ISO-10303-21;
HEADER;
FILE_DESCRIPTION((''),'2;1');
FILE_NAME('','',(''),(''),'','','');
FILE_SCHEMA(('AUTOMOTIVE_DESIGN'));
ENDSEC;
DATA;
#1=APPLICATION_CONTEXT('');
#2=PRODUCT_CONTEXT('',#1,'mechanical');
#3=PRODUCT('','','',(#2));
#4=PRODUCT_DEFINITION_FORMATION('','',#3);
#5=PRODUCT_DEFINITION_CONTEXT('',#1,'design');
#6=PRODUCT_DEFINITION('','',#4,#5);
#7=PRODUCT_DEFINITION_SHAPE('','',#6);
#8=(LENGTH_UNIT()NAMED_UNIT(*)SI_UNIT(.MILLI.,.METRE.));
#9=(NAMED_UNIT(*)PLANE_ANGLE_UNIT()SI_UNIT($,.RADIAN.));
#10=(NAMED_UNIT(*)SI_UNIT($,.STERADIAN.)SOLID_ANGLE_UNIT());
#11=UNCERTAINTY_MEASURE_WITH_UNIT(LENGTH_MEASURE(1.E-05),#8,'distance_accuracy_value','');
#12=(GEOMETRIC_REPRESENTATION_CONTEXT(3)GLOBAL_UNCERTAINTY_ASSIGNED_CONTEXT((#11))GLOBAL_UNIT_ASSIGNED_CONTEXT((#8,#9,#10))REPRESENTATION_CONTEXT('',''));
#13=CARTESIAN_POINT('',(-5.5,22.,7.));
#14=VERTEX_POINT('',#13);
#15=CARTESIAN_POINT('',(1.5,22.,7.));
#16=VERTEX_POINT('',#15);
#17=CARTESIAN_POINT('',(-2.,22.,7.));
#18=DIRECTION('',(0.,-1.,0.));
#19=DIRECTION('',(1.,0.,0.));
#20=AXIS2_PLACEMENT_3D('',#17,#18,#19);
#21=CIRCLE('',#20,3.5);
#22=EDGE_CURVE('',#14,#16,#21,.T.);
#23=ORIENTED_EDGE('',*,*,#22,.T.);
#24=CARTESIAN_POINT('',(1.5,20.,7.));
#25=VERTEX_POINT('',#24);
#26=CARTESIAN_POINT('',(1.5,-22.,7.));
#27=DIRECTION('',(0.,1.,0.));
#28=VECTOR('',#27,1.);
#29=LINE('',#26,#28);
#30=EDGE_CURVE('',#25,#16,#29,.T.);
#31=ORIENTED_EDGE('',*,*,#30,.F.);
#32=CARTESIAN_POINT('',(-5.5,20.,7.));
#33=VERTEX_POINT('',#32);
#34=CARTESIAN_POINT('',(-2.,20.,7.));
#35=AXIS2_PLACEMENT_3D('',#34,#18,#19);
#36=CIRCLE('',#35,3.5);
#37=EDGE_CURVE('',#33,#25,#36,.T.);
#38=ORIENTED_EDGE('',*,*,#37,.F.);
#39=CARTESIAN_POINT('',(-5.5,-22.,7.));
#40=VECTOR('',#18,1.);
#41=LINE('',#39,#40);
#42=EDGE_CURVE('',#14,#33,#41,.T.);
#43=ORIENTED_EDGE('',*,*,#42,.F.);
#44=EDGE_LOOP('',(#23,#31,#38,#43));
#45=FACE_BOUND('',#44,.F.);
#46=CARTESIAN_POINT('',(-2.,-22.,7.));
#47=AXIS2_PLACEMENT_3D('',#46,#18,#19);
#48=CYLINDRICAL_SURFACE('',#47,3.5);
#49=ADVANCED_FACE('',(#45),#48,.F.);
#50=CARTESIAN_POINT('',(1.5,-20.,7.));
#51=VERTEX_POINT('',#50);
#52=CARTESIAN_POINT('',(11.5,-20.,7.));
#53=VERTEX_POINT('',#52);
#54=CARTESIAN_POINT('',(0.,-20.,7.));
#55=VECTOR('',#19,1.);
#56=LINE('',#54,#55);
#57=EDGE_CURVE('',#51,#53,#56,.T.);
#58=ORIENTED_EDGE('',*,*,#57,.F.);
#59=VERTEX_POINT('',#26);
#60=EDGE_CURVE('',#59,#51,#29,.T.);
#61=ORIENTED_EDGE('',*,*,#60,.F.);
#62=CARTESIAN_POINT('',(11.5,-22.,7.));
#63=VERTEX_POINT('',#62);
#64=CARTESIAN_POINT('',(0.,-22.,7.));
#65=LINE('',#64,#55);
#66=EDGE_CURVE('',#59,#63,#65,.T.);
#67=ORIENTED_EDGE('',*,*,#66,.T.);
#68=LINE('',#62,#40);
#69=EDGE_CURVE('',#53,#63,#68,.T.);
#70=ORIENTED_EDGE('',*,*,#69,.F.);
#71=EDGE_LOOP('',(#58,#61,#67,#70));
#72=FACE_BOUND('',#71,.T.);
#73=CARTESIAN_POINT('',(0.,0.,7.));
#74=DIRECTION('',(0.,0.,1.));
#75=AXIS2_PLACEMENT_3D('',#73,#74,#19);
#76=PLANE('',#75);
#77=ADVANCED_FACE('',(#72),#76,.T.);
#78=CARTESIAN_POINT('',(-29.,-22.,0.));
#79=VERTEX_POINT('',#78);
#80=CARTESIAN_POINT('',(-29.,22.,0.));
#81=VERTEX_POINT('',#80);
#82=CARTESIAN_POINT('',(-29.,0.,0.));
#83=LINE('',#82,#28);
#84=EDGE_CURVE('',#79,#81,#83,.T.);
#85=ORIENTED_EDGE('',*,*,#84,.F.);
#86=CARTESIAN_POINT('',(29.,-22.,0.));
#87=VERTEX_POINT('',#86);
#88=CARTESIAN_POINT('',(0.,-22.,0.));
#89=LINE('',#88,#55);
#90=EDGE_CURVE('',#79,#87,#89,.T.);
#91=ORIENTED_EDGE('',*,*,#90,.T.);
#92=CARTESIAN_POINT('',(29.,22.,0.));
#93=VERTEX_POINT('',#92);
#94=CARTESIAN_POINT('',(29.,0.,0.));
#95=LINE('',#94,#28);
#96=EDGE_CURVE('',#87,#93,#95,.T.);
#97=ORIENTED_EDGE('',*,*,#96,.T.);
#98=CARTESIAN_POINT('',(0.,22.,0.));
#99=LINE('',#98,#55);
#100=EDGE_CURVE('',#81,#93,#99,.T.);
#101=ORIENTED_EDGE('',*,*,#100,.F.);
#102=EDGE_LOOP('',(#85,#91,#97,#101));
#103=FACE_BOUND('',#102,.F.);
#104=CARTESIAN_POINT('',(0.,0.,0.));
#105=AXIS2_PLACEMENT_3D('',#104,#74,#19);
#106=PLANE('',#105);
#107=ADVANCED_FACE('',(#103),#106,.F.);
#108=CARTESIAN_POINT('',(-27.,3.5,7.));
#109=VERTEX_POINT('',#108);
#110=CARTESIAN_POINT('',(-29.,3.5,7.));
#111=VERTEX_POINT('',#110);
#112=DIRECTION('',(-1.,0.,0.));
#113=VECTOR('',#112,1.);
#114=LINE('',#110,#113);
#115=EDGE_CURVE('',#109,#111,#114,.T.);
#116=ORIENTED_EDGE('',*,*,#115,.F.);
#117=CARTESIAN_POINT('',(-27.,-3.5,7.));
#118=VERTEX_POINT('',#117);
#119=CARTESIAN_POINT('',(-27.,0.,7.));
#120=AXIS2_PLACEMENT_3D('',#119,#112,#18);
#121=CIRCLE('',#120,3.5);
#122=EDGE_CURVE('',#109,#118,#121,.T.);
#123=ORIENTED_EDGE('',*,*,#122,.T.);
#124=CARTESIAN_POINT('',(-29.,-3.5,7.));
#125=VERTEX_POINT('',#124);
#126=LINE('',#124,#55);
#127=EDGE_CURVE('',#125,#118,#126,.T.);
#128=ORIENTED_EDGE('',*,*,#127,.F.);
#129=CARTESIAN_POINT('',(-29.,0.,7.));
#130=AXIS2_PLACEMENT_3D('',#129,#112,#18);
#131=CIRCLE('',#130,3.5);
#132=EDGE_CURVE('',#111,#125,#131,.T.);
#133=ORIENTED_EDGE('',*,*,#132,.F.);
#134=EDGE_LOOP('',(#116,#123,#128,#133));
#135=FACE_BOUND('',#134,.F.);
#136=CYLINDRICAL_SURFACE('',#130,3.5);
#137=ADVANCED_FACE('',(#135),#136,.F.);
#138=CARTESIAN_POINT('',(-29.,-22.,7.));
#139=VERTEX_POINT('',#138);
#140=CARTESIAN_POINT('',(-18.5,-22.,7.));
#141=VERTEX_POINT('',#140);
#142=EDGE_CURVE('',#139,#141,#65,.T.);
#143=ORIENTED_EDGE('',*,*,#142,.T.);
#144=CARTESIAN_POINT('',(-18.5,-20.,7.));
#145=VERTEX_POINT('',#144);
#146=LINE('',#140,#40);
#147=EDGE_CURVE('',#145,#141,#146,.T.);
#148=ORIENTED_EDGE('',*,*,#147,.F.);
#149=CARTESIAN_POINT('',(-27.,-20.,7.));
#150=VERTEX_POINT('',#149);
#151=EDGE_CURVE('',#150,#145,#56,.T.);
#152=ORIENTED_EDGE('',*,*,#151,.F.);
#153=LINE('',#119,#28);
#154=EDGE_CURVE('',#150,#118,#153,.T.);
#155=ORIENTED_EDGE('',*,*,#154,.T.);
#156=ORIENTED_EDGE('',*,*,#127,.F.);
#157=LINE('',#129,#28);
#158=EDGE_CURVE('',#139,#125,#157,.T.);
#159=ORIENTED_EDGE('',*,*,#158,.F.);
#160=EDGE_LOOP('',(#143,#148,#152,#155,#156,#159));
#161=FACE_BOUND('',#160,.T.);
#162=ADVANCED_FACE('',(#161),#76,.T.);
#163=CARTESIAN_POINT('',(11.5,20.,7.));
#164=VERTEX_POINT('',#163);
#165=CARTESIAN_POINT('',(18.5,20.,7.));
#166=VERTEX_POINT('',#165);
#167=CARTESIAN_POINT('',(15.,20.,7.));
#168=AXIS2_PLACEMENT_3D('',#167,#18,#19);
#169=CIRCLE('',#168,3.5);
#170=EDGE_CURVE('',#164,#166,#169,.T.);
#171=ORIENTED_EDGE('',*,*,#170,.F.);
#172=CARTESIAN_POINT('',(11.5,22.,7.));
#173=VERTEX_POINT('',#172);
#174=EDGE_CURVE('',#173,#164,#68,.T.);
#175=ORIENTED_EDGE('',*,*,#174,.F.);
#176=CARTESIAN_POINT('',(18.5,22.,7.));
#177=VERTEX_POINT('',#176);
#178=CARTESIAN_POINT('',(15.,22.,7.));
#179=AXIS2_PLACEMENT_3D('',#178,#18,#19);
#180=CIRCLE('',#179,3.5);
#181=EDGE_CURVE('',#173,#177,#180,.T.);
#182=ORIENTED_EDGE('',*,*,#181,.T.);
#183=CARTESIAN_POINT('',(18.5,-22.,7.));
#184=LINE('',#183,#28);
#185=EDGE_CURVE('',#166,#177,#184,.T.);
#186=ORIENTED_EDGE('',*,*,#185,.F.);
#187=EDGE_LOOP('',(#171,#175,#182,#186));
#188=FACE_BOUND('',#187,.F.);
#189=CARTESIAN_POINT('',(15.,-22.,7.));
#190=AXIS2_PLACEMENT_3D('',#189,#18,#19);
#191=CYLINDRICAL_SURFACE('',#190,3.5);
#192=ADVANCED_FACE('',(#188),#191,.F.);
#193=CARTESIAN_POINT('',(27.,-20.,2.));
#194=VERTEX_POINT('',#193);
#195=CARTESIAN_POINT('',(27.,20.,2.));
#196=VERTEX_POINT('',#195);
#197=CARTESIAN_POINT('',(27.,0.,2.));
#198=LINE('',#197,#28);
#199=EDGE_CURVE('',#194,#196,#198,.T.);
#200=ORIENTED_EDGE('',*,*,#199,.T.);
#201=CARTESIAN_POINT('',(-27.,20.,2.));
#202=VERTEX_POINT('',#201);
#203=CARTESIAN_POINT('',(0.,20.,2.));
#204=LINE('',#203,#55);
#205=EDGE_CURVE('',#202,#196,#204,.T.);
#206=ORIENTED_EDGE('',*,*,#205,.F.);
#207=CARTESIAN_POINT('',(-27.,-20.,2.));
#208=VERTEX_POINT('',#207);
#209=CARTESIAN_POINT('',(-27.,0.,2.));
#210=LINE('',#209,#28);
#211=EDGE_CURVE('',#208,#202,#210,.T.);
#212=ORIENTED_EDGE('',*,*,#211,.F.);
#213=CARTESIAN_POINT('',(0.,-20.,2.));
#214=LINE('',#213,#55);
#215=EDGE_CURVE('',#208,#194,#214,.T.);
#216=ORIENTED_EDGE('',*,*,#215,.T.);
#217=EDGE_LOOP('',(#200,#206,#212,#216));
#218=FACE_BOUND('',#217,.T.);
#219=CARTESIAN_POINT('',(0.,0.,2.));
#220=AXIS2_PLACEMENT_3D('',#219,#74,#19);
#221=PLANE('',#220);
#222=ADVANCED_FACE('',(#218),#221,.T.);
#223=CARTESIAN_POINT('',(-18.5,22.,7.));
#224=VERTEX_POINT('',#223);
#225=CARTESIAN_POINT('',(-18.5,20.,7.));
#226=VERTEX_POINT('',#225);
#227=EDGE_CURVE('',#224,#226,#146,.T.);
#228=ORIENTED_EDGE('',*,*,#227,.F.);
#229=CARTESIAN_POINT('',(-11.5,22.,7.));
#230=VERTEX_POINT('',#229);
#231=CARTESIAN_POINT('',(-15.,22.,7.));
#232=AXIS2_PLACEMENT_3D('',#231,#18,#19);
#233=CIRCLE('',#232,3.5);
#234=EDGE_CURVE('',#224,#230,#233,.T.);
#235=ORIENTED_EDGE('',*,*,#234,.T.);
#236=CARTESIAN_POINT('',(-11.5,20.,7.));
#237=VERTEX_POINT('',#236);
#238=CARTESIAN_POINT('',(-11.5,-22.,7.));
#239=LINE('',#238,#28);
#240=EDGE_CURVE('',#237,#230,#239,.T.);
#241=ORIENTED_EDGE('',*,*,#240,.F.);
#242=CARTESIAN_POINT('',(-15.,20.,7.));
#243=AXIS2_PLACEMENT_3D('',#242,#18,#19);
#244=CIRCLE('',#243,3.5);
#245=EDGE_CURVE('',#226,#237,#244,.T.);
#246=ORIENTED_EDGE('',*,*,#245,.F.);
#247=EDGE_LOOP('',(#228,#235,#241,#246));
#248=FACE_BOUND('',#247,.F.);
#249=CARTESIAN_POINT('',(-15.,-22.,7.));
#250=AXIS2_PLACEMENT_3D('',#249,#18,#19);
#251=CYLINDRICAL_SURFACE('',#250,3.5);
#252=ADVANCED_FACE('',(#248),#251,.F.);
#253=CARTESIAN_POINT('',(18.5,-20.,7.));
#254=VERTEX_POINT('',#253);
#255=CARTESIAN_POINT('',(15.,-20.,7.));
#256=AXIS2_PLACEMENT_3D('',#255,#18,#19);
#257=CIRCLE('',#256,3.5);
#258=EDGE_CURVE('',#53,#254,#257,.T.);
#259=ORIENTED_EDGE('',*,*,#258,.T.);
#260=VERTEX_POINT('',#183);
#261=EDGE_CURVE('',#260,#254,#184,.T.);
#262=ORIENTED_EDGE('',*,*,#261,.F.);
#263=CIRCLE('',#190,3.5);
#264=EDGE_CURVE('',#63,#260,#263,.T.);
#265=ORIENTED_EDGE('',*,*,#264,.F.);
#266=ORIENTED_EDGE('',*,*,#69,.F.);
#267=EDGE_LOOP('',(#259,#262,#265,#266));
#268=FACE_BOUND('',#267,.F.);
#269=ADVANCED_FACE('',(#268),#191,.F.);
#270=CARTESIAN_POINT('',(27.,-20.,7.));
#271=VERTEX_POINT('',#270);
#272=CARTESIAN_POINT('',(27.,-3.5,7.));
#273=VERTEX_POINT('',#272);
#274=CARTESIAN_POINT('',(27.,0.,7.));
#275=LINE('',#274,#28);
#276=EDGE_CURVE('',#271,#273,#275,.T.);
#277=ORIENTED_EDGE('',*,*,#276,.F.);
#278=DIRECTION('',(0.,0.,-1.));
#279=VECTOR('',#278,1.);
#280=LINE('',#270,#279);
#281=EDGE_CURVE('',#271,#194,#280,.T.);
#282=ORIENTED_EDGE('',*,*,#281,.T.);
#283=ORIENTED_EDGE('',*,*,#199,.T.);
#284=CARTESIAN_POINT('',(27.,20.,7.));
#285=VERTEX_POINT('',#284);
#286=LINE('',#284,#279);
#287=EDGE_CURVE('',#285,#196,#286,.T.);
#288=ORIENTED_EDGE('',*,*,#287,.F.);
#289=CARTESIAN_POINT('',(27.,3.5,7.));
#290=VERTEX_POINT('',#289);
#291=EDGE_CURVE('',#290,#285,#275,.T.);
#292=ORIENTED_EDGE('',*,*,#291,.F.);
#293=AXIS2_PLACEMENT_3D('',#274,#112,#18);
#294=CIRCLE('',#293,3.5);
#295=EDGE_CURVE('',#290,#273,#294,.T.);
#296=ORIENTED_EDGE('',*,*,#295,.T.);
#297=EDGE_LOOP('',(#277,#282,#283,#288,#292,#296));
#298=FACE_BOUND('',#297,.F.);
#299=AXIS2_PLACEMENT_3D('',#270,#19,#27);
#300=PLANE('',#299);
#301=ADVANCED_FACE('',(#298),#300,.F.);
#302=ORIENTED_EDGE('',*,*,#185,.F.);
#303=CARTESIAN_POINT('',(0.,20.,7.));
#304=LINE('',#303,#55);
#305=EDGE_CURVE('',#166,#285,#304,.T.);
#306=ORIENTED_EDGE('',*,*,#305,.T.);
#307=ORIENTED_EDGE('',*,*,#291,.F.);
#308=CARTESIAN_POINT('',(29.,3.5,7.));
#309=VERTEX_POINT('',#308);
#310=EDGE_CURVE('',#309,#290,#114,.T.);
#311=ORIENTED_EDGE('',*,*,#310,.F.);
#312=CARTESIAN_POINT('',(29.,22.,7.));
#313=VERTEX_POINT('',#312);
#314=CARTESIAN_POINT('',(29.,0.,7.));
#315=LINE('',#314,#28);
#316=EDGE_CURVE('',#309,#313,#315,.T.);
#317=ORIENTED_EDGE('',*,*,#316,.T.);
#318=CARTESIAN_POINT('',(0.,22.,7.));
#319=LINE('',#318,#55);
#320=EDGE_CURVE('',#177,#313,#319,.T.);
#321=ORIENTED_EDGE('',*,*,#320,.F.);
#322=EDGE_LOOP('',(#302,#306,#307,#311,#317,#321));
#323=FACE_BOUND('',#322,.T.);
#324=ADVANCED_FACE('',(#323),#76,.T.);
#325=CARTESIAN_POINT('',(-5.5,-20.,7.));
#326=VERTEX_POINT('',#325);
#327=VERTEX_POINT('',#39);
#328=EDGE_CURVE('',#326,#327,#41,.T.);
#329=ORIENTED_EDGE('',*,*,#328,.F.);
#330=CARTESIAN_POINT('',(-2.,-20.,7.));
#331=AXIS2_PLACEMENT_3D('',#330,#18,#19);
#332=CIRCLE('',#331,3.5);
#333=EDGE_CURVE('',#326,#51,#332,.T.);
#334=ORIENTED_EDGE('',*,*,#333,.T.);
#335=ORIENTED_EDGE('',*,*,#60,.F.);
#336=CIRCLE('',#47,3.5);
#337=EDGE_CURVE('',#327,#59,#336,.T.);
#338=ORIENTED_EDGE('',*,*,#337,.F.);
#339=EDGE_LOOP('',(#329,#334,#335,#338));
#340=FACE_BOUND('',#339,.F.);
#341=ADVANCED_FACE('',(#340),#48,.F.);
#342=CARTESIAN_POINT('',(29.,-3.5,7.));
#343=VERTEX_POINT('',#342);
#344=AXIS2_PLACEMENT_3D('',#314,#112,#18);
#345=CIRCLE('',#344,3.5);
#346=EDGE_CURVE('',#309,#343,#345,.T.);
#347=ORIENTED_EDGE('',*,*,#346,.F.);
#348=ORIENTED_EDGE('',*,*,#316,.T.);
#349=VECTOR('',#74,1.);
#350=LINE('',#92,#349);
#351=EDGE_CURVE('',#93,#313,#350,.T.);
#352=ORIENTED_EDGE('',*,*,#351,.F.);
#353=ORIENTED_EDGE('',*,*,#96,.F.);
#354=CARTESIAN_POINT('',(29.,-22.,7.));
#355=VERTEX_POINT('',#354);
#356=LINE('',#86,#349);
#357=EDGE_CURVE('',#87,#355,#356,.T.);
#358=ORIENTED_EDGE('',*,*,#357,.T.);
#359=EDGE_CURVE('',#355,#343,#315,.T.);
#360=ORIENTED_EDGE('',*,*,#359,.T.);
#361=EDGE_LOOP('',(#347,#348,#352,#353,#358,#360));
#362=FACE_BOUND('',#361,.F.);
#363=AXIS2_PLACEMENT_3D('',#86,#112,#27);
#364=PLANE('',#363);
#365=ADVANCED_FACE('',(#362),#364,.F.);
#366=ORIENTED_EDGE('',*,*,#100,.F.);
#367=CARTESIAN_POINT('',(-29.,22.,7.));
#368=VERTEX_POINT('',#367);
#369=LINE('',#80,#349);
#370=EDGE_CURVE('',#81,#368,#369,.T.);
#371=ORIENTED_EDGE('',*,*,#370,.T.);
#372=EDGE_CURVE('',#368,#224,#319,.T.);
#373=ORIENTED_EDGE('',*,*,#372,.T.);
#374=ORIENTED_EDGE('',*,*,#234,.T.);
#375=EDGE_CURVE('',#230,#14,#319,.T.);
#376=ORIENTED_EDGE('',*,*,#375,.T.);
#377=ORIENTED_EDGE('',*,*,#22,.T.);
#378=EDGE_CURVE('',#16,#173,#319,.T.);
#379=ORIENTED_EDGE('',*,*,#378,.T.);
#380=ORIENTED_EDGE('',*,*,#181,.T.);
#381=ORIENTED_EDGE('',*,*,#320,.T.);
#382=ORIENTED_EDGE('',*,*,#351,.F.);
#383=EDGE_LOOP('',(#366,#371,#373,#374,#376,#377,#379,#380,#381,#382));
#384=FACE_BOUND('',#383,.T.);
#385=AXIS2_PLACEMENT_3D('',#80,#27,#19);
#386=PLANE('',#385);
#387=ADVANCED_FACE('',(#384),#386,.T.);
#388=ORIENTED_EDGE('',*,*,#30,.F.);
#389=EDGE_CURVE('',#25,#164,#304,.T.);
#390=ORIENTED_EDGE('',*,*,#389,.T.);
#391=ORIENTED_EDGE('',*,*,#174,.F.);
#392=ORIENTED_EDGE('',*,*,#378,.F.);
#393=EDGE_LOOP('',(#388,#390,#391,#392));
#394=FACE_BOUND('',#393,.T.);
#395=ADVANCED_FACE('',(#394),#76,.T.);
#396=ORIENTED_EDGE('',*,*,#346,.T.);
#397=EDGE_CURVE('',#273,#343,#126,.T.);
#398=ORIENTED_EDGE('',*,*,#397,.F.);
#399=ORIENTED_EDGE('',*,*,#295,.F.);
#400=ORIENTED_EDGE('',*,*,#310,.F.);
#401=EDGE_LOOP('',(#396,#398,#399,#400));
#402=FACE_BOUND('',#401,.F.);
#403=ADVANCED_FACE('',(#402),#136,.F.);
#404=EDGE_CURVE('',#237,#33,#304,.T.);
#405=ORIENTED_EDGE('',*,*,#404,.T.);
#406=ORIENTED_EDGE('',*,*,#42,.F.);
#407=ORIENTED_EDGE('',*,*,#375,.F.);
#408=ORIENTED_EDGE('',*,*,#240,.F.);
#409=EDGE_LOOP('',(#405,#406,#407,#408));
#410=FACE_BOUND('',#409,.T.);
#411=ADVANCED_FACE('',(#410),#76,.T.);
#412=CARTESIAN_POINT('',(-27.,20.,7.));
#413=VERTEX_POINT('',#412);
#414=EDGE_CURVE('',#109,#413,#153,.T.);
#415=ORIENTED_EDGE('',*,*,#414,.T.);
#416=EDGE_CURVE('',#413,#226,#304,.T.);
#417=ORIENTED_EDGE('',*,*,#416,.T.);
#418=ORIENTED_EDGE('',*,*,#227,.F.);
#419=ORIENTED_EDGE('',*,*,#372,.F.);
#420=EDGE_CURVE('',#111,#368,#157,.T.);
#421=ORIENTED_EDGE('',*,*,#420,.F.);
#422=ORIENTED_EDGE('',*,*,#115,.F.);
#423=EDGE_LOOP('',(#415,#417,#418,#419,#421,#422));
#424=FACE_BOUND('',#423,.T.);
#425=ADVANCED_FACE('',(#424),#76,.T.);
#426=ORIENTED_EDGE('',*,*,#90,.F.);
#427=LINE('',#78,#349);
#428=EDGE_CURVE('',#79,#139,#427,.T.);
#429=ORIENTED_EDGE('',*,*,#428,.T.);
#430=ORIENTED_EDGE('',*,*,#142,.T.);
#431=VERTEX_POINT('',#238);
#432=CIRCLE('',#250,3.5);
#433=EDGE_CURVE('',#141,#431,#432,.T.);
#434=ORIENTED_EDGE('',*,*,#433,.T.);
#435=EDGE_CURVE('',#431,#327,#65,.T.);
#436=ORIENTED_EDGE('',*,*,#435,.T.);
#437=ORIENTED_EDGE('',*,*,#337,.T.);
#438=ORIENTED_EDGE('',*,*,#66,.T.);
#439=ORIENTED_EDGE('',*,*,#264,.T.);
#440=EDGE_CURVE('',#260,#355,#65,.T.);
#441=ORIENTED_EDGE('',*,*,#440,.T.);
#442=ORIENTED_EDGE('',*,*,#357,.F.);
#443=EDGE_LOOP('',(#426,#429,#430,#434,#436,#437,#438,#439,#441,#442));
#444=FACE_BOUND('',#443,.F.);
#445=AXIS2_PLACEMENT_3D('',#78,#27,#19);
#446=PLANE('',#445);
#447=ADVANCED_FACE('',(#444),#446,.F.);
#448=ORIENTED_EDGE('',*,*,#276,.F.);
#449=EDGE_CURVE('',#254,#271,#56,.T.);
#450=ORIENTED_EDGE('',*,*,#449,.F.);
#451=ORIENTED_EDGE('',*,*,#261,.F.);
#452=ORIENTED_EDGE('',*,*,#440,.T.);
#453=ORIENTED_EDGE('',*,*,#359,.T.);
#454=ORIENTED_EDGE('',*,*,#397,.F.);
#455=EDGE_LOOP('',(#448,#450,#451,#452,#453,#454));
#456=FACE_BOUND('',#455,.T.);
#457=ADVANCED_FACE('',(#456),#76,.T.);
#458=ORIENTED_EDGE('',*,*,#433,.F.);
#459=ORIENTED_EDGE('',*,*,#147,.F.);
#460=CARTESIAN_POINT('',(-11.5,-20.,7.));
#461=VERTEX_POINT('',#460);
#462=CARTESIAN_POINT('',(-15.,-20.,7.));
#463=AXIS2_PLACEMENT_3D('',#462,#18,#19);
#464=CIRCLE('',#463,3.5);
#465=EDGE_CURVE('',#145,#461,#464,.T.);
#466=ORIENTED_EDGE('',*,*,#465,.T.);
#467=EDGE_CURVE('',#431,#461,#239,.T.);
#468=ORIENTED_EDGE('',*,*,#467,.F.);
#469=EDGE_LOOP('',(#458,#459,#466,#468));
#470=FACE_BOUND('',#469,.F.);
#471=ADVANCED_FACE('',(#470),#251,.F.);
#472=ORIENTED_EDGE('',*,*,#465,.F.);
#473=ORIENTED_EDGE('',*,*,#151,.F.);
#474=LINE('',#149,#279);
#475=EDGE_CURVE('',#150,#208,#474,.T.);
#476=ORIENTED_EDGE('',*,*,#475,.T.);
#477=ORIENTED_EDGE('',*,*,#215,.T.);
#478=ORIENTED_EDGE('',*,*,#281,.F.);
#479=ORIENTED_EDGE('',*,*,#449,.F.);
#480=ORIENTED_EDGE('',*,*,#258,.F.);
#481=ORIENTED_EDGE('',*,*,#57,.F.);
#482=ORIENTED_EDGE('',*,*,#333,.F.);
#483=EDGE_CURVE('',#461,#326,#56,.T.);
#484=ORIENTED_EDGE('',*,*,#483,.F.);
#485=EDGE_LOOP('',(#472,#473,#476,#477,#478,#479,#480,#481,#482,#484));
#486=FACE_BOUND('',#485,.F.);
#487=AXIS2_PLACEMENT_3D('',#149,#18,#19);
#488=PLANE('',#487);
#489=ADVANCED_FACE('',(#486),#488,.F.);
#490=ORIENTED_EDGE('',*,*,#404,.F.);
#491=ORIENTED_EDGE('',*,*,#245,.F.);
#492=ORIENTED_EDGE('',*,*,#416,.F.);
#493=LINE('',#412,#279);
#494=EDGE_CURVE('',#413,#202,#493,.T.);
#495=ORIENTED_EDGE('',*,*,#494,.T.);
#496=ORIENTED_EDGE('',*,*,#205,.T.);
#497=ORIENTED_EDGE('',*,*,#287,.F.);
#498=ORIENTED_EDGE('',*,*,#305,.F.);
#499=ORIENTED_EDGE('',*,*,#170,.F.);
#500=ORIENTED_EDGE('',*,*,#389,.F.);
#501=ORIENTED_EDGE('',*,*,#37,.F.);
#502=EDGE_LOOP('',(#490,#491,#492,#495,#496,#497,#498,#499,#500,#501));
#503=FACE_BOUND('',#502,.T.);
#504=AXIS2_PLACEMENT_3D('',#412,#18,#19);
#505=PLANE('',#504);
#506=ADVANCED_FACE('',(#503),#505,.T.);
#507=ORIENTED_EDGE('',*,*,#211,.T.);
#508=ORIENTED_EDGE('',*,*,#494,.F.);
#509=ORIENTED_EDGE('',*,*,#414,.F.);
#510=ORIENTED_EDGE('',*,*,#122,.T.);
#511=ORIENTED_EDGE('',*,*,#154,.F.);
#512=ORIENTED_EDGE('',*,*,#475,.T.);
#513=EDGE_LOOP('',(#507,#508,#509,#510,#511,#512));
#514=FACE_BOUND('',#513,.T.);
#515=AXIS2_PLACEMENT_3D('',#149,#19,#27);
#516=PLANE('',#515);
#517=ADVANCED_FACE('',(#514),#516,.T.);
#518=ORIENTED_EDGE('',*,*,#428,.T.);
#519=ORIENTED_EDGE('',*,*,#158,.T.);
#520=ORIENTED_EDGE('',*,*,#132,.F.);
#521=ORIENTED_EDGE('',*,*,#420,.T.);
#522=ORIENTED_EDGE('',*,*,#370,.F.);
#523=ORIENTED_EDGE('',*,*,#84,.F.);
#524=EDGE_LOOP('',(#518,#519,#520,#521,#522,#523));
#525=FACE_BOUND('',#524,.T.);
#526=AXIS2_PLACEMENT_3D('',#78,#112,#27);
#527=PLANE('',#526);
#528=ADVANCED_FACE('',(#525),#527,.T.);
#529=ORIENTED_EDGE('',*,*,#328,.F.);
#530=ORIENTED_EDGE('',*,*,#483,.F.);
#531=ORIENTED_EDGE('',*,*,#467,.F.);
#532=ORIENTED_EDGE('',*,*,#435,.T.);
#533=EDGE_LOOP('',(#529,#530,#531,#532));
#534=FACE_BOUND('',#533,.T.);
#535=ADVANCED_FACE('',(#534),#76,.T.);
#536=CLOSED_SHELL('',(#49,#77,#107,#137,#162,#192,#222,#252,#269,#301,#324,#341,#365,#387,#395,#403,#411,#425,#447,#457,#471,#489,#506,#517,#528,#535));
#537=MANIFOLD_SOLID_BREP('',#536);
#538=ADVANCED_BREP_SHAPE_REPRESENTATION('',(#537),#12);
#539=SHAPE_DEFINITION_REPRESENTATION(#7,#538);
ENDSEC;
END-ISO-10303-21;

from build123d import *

# Parameters (mm, degrees)
F0_W     = 58
F0_H     = 44
F1_DEPTH = 7
F2_W     = 54
F2_H     = 40
F3_DEPTH = 5
F4_R     = 3.5
F5_DEPTH = 50
F6_R     = 3.5
F7_DEPTH = 60


with BuildPart() as f1:
    # F0 (on Top) → F1 (new body)
    with BuildSketch(Plane.XY):
        Rectangle(F0_W, F0_H)
    extrude(amount=F1_DEPTH)

    # F2 (on face) → F3 (cut)
    with BuildSketch(Plane.XY.offset(7)):
        Rectangle(F2_W, F2_H)
    extrude(amount=-F3_DEPTH, mode=Mode.SUBTRACT)

    # F4 (on face) → F5 (cut)
    with BuildSketch(Plane.XZ.offset(22)):
        with Locations((-15, 7)):
            Circle(F4_R)
        with Locations((-2, 7)):
            Circle(F4_R)
        with Locations((15, 7)):
            Circle(F4_R)
    extrude(amount=-F5_DEPTH, mode=Mode.SUBTRACT)

    # F6 (on face) → F7 (cut)
    with BuildSketch(Plane(origin=(-29, 0, 0), x_dir=(0, -1, 0), z_dir=(-1, 0, 0))):
        with Locations((0, 7)):
            Circle(F6_R)
    extrude(amount=-F7_DEPTH, mode=Mode.SUBTRACT)


solid = f1.part
